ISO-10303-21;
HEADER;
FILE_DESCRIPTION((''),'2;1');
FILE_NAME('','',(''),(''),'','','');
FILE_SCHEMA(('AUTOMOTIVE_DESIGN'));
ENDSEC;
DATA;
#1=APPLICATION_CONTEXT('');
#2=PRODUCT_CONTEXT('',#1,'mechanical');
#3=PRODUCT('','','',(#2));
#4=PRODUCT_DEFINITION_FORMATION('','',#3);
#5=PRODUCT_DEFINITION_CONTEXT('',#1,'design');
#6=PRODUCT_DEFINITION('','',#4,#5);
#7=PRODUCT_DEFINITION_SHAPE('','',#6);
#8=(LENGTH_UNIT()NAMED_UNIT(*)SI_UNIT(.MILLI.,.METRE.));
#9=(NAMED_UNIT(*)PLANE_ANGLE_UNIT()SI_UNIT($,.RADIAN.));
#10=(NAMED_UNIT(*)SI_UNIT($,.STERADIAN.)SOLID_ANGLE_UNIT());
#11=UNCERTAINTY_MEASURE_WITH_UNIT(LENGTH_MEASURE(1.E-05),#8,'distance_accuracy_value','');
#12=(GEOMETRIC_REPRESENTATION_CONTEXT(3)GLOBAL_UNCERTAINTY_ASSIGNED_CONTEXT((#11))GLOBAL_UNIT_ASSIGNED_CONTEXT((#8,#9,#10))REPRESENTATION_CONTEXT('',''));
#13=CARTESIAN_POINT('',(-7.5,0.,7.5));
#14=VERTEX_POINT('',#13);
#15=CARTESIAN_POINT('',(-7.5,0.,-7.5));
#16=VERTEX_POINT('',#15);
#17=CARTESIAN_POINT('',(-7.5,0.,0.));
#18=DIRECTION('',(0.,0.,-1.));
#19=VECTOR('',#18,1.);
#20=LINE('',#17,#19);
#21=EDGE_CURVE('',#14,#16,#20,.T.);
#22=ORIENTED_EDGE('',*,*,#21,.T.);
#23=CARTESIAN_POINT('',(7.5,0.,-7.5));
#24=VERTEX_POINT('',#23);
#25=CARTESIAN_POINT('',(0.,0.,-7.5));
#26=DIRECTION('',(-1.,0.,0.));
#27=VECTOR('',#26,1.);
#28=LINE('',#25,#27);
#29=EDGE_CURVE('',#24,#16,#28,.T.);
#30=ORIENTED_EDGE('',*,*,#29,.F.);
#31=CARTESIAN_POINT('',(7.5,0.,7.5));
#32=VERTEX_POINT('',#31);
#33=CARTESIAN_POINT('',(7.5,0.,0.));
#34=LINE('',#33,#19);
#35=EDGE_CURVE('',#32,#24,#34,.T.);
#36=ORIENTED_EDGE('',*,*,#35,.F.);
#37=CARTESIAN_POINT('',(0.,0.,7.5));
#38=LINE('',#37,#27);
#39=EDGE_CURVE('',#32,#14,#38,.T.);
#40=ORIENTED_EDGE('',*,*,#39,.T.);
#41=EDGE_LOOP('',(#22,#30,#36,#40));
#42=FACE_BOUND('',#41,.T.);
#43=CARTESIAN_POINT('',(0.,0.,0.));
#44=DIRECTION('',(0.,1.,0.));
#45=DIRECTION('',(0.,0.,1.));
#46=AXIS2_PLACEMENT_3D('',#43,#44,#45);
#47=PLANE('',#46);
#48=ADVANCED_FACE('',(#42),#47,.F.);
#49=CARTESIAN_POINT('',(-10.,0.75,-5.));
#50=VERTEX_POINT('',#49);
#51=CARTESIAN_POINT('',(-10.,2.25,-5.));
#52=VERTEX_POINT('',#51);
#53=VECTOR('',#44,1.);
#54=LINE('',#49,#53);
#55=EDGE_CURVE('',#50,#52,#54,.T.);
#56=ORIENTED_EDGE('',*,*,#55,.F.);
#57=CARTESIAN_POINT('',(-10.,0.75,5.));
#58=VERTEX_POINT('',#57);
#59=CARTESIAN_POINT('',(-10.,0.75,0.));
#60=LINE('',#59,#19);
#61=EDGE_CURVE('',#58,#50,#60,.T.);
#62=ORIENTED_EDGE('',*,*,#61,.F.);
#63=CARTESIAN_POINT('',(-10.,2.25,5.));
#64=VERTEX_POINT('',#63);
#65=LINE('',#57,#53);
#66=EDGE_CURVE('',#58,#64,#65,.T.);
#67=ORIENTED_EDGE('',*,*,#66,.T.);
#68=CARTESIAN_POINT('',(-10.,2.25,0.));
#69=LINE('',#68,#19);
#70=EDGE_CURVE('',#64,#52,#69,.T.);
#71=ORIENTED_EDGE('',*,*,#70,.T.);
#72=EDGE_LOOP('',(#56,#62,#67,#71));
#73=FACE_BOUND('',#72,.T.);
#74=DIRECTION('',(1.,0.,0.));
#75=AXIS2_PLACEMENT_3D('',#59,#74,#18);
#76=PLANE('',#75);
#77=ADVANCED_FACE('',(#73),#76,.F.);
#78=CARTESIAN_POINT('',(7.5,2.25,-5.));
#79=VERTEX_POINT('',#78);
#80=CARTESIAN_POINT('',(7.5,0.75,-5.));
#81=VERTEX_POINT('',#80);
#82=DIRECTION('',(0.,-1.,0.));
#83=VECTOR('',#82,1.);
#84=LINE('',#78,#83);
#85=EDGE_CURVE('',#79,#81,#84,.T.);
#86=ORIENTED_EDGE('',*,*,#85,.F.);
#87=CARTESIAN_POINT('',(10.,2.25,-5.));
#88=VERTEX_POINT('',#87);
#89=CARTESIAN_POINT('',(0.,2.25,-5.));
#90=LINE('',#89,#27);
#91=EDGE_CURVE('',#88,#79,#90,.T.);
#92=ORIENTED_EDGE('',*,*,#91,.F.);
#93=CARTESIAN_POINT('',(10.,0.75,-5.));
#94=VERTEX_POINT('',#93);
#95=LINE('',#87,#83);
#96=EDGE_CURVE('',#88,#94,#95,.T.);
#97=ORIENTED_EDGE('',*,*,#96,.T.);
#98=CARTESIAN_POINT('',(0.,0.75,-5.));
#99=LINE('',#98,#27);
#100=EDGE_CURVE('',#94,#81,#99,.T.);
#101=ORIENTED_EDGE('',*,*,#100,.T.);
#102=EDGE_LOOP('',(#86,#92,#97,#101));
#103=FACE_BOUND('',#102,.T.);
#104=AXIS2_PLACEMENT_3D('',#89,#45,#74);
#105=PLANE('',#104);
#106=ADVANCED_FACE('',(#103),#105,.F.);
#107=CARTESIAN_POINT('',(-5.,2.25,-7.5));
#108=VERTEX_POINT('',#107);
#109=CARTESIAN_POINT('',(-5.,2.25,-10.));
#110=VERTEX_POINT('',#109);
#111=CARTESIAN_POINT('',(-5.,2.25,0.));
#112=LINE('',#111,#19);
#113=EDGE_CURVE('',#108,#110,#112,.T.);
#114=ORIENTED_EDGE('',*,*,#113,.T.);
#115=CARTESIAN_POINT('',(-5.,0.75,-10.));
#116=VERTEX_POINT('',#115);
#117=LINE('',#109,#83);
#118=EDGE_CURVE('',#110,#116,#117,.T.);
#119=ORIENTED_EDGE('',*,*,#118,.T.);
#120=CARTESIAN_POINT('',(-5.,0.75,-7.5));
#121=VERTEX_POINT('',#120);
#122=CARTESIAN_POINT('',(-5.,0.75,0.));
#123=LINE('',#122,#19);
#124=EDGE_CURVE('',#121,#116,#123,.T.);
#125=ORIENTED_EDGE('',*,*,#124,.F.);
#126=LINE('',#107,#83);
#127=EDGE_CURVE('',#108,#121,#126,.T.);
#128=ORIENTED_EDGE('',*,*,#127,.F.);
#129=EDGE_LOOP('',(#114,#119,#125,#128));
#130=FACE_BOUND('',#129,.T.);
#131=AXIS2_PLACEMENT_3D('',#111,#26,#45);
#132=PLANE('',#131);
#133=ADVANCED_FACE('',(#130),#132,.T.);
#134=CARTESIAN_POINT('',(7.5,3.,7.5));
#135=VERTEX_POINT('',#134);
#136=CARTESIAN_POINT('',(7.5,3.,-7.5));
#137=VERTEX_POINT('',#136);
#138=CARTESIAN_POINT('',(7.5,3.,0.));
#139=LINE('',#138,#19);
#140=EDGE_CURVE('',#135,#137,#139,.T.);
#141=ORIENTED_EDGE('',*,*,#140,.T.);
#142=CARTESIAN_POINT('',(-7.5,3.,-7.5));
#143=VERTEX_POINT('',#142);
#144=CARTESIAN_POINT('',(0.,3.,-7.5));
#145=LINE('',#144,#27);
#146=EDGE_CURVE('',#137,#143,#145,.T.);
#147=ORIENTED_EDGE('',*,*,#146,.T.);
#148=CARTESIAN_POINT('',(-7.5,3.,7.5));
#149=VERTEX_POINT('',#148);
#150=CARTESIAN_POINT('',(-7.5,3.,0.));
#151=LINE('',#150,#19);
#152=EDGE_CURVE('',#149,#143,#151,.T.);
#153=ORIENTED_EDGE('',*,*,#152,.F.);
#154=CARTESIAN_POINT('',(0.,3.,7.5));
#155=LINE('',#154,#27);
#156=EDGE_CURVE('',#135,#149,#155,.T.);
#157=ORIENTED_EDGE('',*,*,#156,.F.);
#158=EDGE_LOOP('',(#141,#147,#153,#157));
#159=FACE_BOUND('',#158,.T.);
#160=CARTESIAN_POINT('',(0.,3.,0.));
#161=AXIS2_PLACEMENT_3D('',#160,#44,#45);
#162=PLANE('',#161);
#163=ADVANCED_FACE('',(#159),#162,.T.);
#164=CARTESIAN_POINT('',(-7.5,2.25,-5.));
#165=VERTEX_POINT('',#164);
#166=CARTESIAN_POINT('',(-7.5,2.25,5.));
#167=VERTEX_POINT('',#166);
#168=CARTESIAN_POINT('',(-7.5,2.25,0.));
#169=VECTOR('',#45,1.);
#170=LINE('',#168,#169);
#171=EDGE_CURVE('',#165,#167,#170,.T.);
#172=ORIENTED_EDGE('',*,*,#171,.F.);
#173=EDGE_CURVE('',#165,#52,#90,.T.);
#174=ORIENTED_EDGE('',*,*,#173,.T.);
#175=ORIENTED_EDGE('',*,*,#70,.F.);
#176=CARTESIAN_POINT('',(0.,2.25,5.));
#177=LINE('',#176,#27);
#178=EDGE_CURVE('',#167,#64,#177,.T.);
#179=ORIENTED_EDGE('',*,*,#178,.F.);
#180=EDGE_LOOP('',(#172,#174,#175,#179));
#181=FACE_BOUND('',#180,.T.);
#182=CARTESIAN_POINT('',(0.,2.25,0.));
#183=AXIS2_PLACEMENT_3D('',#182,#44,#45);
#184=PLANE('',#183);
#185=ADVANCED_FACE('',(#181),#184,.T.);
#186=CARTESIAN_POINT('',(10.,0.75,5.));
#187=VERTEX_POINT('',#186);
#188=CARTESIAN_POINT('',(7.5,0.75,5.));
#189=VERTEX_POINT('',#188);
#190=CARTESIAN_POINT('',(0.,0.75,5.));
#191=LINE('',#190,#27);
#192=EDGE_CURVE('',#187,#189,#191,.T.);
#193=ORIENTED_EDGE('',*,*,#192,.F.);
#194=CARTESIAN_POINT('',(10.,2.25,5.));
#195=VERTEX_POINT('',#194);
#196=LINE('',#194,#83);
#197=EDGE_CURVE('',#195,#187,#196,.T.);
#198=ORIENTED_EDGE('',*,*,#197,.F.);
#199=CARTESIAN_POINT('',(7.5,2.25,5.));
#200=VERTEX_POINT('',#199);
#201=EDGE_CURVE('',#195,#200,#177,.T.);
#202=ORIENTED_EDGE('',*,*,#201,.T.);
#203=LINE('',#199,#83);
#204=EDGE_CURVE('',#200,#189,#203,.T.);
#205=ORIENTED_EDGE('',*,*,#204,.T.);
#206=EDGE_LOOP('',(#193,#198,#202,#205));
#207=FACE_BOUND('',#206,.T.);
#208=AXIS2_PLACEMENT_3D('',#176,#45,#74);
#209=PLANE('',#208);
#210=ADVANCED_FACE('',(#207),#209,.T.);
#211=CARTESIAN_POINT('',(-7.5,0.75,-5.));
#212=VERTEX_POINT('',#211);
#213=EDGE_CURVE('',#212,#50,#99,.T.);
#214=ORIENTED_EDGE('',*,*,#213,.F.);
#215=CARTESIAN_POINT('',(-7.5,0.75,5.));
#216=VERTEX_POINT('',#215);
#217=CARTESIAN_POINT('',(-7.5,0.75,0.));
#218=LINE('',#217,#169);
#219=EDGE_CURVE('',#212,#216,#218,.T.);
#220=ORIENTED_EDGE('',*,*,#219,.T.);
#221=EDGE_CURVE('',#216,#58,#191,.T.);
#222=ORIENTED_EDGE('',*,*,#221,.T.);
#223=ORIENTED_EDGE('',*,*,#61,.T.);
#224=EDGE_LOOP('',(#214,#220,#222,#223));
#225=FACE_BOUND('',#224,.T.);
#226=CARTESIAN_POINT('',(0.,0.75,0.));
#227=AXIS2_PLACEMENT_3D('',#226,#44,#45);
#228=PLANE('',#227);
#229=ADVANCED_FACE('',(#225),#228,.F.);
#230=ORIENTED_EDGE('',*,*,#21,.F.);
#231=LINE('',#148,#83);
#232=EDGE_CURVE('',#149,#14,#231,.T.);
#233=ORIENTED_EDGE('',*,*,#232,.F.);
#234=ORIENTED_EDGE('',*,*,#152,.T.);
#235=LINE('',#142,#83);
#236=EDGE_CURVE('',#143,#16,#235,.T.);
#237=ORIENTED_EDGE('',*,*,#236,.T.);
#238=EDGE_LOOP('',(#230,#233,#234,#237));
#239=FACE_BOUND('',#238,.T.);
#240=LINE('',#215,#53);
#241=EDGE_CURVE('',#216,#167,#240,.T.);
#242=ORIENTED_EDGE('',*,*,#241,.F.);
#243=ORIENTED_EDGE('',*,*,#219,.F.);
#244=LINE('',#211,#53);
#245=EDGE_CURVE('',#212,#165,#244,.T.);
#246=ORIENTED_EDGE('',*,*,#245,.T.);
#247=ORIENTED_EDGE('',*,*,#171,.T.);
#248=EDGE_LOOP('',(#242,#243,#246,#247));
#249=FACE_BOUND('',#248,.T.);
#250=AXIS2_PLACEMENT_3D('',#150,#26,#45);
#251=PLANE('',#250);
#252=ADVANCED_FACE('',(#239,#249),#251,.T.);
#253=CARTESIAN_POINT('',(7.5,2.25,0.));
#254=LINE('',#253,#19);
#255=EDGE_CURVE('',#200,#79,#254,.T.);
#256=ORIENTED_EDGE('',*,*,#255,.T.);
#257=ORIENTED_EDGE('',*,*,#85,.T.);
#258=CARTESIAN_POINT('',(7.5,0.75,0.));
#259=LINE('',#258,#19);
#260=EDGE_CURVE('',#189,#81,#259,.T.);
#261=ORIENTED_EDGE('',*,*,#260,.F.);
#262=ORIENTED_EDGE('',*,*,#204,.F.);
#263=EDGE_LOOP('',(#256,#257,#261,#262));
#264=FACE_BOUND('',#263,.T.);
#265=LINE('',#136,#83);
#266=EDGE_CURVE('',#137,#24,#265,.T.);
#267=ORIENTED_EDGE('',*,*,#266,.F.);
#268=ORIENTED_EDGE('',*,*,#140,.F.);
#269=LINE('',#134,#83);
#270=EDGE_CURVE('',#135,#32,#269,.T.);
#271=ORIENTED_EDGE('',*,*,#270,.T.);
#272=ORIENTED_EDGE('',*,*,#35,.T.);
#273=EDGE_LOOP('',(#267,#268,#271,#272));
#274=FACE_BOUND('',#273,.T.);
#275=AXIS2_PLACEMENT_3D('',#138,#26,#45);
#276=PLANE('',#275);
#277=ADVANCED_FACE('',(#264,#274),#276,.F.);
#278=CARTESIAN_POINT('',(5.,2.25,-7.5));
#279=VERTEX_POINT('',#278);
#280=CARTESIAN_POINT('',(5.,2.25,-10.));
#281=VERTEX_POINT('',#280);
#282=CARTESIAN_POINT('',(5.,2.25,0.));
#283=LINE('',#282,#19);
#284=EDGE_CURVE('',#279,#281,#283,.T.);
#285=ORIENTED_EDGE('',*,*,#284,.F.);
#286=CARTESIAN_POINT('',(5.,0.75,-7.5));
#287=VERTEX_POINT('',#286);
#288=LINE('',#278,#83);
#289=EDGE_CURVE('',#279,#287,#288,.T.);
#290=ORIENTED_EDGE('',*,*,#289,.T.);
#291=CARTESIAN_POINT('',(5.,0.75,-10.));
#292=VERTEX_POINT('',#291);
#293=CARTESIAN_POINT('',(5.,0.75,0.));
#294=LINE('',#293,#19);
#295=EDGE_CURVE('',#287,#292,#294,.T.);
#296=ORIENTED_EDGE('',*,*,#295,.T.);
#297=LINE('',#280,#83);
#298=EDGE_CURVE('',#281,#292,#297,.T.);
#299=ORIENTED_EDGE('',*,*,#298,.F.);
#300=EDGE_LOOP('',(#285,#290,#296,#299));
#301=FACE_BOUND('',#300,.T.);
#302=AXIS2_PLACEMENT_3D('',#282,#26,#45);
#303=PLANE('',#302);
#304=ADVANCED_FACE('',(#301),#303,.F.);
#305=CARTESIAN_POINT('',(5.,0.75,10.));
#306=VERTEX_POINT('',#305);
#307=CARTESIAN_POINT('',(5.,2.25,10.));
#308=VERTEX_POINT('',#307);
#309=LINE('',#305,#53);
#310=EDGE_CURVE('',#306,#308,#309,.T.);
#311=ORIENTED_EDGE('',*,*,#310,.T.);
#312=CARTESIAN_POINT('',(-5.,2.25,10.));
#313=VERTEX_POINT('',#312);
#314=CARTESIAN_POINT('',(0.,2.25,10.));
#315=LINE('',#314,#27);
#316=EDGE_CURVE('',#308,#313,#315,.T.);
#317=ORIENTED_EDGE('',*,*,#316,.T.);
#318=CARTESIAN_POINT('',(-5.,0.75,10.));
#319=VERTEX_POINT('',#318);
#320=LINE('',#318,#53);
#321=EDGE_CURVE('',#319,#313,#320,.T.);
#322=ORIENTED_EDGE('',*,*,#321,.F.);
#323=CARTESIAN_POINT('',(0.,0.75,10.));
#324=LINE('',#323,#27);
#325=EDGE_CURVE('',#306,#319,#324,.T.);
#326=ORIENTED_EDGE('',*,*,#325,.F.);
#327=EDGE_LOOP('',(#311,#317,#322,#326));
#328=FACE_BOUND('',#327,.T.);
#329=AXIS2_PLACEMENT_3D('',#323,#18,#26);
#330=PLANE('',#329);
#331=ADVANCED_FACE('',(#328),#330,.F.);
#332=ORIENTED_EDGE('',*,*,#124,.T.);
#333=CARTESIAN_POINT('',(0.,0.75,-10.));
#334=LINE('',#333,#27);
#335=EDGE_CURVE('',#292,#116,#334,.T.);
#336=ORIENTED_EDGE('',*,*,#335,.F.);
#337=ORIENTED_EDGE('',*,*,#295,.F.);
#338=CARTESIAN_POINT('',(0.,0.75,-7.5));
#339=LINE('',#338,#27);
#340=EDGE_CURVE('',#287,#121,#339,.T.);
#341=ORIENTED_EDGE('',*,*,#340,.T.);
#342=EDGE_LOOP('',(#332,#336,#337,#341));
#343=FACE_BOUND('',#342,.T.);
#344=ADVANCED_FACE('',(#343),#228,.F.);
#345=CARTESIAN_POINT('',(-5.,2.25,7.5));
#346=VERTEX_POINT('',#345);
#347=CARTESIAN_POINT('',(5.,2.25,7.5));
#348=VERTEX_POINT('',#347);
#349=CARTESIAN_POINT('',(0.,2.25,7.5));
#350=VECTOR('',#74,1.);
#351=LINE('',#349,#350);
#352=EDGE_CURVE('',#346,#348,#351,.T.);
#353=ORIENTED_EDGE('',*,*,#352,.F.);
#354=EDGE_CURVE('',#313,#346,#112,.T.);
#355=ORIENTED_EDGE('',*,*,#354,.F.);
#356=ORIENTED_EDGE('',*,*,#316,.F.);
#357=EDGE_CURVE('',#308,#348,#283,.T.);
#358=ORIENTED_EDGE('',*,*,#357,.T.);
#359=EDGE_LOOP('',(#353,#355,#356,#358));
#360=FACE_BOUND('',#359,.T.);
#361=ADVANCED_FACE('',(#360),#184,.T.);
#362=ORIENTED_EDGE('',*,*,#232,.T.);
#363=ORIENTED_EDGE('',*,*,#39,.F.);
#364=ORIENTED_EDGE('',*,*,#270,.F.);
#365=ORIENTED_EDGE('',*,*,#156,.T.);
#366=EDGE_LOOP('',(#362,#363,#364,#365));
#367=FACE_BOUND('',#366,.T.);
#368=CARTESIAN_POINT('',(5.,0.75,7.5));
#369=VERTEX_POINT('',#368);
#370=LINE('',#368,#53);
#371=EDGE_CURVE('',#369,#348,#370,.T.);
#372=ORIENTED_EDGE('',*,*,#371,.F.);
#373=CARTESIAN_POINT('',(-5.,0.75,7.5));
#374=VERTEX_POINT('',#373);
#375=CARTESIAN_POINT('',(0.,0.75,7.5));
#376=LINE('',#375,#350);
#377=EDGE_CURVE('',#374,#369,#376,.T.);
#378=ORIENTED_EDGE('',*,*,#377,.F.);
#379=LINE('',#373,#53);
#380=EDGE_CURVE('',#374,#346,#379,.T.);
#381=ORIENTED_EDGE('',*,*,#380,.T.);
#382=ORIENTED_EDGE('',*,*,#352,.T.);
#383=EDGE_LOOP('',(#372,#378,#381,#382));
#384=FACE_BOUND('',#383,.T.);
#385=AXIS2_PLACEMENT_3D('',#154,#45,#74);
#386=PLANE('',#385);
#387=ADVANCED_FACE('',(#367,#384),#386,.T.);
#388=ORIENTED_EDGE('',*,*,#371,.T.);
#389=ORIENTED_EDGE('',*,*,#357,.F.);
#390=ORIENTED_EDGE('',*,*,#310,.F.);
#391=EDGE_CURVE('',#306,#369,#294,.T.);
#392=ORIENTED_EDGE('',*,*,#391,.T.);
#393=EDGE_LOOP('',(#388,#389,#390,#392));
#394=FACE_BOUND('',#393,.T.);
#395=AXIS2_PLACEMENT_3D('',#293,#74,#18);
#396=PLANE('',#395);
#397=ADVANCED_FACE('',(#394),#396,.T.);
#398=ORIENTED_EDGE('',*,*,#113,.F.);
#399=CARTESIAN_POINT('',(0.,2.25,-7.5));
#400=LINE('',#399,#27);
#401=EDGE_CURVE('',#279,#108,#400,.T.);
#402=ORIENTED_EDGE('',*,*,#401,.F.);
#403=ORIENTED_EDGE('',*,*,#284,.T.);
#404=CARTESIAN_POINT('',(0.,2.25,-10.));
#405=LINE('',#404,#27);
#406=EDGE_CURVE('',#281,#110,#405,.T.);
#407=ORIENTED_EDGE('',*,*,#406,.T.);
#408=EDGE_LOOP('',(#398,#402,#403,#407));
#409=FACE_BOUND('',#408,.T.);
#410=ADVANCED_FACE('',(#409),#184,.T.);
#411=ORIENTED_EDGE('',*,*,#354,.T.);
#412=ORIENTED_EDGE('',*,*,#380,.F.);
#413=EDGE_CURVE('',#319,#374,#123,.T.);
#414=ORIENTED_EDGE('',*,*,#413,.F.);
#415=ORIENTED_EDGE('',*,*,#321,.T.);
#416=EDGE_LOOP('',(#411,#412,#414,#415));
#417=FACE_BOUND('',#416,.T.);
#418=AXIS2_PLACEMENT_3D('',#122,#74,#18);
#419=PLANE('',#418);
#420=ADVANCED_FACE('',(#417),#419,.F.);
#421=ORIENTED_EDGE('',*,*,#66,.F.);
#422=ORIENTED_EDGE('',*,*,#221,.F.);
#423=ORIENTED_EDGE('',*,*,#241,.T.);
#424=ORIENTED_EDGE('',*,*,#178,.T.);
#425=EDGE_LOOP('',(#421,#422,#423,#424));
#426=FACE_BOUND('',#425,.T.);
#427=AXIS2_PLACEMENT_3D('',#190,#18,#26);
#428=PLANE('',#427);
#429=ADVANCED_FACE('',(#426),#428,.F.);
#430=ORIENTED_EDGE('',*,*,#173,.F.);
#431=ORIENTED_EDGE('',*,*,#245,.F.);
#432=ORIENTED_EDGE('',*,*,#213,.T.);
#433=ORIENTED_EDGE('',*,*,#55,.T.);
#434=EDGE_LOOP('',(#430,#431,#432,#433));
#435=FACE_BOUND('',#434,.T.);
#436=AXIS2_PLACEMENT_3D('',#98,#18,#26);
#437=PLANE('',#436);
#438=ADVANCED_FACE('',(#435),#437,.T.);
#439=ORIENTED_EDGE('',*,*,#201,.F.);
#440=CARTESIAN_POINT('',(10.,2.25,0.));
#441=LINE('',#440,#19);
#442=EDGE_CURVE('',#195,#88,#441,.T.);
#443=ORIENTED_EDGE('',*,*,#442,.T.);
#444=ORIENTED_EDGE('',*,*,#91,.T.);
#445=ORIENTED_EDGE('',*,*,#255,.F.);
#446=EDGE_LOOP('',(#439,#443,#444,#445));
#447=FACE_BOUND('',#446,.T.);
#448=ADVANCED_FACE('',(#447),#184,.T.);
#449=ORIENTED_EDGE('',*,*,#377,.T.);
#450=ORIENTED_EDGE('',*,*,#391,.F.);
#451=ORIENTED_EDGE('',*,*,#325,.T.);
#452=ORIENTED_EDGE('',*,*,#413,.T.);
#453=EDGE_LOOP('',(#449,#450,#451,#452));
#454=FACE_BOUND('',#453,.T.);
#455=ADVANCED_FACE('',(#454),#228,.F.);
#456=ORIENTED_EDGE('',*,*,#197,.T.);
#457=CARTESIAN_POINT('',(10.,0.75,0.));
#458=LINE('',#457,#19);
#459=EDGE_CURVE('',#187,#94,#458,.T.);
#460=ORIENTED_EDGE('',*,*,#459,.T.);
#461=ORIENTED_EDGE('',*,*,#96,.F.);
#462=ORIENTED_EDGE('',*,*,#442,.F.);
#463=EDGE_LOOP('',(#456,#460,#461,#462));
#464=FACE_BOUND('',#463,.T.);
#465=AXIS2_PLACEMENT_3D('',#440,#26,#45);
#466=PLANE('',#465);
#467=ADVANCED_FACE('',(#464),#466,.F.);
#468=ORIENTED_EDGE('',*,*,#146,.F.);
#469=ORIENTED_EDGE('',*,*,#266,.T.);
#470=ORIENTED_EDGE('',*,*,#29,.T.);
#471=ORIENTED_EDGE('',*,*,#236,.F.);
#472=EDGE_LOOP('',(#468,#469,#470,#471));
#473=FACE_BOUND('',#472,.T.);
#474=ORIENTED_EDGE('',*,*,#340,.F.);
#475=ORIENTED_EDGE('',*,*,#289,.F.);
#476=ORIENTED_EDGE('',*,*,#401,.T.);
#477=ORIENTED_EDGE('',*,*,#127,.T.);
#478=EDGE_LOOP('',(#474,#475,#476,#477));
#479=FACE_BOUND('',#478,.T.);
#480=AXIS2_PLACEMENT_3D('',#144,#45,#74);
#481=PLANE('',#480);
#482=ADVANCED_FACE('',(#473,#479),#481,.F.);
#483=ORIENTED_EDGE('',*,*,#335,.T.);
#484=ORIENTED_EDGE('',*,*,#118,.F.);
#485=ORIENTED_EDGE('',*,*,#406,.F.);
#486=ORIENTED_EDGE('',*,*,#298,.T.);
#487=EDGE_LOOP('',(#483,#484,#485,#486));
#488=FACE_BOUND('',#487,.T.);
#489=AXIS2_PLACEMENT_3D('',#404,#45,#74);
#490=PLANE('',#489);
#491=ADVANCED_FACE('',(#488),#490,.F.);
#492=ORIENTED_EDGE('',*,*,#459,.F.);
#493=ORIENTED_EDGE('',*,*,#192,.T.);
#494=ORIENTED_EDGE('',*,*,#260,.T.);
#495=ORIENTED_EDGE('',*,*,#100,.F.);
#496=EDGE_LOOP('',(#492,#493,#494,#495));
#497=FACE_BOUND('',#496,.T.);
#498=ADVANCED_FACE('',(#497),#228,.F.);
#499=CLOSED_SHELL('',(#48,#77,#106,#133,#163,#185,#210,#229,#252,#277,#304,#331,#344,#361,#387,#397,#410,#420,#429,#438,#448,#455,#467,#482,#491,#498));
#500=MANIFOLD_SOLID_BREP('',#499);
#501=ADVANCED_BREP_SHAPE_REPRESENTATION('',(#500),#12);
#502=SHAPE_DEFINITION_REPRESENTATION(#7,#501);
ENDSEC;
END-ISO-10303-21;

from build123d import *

# Parameters (mm, degrees)
SKETCH1_W                = 15
SKETCH1_H                = 15
BOSS_EXTRUDE2_DEPTH      = 3
SKETCH4_W                = 2.5
SKETCH4_H                = 10
SKETCH4_W_2              = 10
SKETCH4_H_2              = 2.5
BOSS_EXTRUDE3_DEPTH      = 0.75
BOSS_EXTRUDE3_DEPTH_BACK = 0.75


with BuildPart() as part:
    # Sketch1 → Boss-Extrude2 (new body)
    with BuildSketch(Plane(origin=(0, 0, 0), x_dir=(1, 0, 0), z_dir=(0, 1, 0))):
        Rectangle(SKETCH1_W, SKETCH1_H)
    extrude(amount=BOSS_EXTRUDE2_DEPTH)

    # Sketch4 → Boss-Extrude3 (add, two sides)
    with BuildSketch(Plane(origin=(0, 1.5, 0), x_dir=(1, 0, 0), z_dir=(0, 1, 0))) as boss_extrude3_sk:
        with Locations((-8.75, 0)):
            Rectangle(SKETCH4_W, SKETCH4_H)
        with Locations((0, -8.75)):
            Rectangle(SKETCH4_W_2, SKETCH4_H_2)
        with Locations((8.75, 0)):
            Rectangle(SKETCH4_W, SKETCH4_H)
        with Locations((0, 8.75)):
            Rectangle(SKETCH4_W_2, SKETCH4_H_2)
    extrude(amount=BOSS_EXTRUDE3_DEPTH)
    extrude(boss_extrude3_sk.sketch, amount=-BOSS_EXTRUDE3_DEPTH_BACK)


solid = part.part
